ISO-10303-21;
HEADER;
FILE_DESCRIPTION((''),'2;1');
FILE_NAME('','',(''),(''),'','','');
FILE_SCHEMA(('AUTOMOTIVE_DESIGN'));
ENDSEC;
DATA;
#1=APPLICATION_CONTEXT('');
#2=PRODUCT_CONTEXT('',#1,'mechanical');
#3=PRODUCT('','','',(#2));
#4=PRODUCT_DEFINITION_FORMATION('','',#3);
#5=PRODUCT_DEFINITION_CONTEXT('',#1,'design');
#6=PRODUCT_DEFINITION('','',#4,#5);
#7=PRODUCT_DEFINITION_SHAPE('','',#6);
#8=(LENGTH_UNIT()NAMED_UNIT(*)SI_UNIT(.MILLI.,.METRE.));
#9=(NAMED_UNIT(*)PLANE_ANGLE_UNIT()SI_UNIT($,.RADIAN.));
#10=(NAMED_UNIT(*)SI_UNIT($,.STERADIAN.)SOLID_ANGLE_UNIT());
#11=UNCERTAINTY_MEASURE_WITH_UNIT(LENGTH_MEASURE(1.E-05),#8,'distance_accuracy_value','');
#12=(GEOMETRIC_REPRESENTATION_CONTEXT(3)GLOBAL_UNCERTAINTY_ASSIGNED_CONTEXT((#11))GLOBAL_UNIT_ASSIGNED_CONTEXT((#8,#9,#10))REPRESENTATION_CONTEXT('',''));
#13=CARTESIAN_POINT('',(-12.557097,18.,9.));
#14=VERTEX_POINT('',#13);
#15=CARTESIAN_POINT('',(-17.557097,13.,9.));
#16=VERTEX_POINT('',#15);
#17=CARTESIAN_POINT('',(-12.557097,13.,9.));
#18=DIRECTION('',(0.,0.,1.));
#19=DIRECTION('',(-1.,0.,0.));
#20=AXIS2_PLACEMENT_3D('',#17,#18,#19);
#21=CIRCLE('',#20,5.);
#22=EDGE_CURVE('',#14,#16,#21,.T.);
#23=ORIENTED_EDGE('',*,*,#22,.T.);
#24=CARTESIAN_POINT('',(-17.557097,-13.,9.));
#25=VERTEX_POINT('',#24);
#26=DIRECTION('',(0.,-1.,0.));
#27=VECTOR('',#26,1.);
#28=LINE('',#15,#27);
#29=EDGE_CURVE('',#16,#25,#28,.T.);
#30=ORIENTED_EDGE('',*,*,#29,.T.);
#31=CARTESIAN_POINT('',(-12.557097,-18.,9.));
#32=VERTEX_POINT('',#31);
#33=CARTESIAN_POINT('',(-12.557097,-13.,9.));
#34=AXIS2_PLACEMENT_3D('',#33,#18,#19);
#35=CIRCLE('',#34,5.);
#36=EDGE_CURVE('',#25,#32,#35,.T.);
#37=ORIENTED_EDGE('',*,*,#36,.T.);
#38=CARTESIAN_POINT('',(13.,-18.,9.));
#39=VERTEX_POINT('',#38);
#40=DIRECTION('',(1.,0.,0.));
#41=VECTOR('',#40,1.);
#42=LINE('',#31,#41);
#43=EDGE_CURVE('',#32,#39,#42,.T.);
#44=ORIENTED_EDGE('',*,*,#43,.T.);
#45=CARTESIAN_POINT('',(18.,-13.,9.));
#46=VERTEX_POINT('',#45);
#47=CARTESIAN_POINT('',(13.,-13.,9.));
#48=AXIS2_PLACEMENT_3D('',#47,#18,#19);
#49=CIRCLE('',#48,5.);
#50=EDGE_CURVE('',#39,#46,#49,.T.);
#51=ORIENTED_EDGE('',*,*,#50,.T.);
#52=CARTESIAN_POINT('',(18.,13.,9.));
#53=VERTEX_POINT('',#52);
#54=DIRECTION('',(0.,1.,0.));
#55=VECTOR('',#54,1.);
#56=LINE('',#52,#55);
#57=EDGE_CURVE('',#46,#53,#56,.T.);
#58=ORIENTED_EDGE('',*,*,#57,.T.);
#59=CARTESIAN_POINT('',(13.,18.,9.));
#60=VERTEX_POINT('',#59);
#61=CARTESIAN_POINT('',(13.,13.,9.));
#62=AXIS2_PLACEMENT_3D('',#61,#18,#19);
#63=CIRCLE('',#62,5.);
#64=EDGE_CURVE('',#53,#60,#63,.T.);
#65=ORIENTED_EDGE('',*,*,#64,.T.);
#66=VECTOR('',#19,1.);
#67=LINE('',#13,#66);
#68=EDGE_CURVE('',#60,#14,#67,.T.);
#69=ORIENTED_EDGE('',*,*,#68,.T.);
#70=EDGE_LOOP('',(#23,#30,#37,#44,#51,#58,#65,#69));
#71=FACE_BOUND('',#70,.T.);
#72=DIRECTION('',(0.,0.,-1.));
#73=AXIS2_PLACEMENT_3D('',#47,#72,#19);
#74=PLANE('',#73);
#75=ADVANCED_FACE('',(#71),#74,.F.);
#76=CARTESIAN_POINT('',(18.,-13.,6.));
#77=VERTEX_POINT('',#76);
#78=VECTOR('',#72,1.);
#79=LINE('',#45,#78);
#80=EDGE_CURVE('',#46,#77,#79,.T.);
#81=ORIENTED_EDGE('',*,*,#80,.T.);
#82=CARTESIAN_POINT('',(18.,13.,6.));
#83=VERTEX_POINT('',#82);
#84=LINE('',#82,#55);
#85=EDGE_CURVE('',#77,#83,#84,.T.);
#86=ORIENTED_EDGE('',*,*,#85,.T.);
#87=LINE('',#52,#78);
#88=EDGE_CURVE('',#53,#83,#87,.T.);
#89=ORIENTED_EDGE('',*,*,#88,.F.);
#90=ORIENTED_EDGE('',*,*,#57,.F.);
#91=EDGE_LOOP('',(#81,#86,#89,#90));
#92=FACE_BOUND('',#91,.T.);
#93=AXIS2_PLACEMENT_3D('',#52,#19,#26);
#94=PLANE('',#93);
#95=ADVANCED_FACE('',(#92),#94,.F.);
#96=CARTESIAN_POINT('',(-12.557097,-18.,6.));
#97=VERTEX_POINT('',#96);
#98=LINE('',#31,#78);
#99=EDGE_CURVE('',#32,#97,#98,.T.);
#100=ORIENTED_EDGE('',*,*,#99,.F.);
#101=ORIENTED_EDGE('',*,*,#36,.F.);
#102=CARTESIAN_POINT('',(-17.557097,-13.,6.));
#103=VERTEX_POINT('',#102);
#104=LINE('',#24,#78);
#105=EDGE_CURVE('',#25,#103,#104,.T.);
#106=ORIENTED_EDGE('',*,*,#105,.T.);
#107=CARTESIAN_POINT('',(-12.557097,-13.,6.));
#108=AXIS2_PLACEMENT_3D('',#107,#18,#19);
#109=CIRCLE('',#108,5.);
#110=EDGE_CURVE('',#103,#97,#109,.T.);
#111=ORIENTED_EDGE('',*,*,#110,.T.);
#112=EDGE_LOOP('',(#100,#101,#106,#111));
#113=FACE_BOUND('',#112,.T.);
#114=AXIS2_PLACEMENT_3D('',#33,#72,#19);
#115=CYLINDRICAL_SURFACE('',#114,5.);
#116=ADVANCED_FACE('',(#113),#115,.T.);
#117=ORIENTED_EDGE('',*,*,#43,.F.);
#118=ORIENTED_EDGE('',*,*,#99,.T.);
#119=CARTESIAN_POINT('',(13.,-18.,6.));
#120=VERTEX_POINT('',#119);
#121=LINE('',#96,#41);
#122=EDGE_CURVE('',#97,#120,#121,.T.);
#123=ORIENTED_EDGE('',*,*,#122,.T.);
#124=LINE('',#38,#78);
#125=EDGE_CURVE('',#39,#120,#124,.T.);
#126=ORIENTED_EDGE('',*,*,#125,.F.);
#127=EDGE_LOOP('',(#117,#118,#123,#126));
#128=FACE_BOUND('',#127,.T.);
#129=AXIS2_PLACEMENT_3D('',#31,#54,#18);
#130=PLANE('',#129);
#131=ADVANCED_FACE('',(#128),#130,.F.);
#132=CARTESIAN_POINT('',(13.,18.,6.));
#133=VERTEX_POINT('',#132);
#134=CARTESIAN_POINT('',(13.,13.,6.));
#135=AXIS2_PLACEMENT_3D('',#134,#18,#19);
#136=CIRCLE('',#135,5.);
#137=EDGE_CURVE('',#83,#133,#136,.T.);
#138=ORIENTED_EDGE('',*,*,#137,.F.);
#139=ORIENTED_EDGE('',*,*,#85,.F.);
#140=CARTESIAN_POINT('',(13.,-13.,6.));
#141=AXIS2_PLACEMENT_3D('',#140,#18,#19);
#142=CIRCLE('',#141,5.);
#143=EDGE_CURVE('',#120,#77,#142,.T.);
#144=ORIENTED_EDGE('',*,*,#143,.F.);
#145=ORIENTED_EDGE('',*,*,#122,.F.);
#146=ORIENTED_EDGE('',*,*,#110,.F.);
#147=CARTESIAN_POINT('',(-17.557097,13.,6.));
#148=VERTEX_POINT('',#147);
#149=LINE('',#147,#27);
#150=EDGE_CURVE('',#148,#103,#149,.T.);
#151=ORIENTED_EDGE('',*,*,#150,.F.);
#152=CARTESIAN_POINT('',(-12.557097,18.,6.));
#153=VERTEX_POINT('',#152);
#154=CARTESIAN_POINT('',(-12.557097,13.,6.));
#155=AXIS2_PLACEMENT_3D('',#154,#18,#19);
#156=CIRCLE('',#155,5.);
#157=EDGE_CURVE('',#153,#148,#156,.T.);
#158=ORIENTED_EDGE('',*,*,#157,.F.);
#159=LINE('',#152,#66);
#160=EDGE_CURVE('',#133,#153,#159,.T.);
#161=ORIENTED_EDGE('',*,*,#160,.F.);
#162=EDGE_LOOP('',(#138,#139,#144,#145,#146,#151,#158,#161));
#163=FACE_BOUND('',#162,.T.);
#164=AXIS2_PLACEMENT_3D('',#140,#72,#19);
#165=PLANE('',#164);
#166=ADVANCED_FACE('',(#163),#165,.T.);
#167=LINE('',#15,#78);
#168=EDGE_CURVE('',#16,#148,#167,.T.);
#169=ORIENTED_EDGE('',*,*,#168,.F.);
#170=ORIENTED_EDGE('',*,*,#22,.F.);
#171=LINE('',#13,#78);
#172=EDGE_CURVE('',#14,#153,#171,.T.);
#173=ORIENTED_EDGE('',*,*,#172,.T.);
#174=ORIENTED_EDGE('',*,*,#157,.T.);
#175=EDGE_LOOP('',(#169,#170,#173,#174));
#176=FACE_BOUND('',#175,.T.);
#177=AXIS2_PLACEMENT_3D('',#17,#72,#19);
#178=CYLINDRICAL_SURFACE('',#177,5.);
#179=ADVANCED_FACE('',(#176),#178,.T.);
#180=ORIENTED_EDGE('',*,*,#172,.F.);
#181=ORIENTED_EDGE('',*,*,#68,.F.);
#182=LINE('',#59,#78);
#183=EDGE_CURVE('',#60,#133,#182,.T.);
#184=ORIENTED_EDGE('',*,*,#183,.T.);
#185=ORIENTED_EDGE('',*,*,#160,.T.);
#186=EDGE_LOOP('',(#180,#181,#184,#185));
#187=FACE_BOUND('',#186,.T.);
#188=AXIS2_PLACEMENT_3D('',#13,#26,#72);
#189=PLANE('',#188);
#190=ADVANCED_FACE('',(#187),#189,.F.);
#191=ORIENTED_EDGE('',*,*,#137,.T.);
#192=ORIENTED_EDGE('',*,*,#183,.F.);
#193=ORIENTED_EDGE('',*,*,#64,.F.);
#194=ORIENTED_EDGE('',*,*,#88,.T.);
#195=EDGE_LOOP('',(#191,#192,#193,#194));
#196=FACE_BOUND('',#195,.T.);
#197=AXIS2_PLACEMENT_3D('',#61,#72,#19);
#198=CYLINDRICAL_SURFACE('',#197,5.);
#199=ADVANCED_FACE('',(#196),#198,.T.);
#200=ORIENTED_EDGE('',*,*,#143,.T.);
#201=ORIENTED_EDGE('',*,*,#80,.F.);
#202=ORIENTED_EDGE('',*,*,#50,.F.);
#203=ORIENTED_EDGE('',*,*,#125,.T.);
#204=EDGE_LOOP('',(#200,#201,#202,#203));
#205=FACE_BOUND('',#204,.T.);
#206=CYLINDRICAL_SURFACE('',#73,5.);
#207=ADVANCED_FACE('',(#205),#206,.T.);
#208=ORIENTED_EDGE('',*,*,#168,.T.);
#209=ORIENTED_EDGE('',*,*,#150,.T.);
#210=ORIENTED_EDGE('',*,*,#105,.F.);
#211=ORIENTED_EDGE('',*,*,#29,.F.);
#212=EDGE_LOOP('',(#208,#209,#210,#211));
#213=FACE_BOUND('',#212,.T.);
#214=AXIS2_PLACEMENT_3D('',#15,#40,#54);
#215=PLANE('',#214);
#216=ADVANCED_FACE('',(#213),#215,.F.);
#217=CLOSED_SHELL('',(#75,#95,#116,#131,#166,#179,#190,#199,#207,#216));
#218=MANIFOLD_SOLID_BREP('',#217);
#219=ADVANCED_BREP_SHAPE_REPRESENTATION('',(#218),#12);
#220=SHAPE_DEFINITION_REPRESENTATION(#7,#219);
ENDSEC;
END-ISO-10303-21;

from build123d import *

# Parameters (mm, degrees)
BOSS_EXTRUDE1_DEPTH = 3


with BuildPart() as part:
    # Sketch2 → Boss-Extrude1 (new body)
    with BuildSketch(Plane.XY.offset(6)):
        with BuildLine():
            Line((-12.557097281, 18), (13, 18))
            ThreePointArc((13, 18), (16.535533906, 16.535533906), (18, 13))
            Line((18, 13), (18, -13))
            ThreePointArc((18, -13), (16.535533906, -16.535533906), (13, -18))
            Line((13, -18), (-12.557097281, -18))
            ThreePointArc((-12.557097281, -18), (-16.092631187, -16.535533906), (-17.557097281, -13))
            Line((-17.557097281, -13), (-17.557097281, 13))
            ThreePointArc((-17.557097281, 13), (-16.092631187, 16.535533906), (-12.557097281, 18))
        make_face()
    extrude(amount=BOSS_EXTRUDE1_DEPTH)


solid = part.part
